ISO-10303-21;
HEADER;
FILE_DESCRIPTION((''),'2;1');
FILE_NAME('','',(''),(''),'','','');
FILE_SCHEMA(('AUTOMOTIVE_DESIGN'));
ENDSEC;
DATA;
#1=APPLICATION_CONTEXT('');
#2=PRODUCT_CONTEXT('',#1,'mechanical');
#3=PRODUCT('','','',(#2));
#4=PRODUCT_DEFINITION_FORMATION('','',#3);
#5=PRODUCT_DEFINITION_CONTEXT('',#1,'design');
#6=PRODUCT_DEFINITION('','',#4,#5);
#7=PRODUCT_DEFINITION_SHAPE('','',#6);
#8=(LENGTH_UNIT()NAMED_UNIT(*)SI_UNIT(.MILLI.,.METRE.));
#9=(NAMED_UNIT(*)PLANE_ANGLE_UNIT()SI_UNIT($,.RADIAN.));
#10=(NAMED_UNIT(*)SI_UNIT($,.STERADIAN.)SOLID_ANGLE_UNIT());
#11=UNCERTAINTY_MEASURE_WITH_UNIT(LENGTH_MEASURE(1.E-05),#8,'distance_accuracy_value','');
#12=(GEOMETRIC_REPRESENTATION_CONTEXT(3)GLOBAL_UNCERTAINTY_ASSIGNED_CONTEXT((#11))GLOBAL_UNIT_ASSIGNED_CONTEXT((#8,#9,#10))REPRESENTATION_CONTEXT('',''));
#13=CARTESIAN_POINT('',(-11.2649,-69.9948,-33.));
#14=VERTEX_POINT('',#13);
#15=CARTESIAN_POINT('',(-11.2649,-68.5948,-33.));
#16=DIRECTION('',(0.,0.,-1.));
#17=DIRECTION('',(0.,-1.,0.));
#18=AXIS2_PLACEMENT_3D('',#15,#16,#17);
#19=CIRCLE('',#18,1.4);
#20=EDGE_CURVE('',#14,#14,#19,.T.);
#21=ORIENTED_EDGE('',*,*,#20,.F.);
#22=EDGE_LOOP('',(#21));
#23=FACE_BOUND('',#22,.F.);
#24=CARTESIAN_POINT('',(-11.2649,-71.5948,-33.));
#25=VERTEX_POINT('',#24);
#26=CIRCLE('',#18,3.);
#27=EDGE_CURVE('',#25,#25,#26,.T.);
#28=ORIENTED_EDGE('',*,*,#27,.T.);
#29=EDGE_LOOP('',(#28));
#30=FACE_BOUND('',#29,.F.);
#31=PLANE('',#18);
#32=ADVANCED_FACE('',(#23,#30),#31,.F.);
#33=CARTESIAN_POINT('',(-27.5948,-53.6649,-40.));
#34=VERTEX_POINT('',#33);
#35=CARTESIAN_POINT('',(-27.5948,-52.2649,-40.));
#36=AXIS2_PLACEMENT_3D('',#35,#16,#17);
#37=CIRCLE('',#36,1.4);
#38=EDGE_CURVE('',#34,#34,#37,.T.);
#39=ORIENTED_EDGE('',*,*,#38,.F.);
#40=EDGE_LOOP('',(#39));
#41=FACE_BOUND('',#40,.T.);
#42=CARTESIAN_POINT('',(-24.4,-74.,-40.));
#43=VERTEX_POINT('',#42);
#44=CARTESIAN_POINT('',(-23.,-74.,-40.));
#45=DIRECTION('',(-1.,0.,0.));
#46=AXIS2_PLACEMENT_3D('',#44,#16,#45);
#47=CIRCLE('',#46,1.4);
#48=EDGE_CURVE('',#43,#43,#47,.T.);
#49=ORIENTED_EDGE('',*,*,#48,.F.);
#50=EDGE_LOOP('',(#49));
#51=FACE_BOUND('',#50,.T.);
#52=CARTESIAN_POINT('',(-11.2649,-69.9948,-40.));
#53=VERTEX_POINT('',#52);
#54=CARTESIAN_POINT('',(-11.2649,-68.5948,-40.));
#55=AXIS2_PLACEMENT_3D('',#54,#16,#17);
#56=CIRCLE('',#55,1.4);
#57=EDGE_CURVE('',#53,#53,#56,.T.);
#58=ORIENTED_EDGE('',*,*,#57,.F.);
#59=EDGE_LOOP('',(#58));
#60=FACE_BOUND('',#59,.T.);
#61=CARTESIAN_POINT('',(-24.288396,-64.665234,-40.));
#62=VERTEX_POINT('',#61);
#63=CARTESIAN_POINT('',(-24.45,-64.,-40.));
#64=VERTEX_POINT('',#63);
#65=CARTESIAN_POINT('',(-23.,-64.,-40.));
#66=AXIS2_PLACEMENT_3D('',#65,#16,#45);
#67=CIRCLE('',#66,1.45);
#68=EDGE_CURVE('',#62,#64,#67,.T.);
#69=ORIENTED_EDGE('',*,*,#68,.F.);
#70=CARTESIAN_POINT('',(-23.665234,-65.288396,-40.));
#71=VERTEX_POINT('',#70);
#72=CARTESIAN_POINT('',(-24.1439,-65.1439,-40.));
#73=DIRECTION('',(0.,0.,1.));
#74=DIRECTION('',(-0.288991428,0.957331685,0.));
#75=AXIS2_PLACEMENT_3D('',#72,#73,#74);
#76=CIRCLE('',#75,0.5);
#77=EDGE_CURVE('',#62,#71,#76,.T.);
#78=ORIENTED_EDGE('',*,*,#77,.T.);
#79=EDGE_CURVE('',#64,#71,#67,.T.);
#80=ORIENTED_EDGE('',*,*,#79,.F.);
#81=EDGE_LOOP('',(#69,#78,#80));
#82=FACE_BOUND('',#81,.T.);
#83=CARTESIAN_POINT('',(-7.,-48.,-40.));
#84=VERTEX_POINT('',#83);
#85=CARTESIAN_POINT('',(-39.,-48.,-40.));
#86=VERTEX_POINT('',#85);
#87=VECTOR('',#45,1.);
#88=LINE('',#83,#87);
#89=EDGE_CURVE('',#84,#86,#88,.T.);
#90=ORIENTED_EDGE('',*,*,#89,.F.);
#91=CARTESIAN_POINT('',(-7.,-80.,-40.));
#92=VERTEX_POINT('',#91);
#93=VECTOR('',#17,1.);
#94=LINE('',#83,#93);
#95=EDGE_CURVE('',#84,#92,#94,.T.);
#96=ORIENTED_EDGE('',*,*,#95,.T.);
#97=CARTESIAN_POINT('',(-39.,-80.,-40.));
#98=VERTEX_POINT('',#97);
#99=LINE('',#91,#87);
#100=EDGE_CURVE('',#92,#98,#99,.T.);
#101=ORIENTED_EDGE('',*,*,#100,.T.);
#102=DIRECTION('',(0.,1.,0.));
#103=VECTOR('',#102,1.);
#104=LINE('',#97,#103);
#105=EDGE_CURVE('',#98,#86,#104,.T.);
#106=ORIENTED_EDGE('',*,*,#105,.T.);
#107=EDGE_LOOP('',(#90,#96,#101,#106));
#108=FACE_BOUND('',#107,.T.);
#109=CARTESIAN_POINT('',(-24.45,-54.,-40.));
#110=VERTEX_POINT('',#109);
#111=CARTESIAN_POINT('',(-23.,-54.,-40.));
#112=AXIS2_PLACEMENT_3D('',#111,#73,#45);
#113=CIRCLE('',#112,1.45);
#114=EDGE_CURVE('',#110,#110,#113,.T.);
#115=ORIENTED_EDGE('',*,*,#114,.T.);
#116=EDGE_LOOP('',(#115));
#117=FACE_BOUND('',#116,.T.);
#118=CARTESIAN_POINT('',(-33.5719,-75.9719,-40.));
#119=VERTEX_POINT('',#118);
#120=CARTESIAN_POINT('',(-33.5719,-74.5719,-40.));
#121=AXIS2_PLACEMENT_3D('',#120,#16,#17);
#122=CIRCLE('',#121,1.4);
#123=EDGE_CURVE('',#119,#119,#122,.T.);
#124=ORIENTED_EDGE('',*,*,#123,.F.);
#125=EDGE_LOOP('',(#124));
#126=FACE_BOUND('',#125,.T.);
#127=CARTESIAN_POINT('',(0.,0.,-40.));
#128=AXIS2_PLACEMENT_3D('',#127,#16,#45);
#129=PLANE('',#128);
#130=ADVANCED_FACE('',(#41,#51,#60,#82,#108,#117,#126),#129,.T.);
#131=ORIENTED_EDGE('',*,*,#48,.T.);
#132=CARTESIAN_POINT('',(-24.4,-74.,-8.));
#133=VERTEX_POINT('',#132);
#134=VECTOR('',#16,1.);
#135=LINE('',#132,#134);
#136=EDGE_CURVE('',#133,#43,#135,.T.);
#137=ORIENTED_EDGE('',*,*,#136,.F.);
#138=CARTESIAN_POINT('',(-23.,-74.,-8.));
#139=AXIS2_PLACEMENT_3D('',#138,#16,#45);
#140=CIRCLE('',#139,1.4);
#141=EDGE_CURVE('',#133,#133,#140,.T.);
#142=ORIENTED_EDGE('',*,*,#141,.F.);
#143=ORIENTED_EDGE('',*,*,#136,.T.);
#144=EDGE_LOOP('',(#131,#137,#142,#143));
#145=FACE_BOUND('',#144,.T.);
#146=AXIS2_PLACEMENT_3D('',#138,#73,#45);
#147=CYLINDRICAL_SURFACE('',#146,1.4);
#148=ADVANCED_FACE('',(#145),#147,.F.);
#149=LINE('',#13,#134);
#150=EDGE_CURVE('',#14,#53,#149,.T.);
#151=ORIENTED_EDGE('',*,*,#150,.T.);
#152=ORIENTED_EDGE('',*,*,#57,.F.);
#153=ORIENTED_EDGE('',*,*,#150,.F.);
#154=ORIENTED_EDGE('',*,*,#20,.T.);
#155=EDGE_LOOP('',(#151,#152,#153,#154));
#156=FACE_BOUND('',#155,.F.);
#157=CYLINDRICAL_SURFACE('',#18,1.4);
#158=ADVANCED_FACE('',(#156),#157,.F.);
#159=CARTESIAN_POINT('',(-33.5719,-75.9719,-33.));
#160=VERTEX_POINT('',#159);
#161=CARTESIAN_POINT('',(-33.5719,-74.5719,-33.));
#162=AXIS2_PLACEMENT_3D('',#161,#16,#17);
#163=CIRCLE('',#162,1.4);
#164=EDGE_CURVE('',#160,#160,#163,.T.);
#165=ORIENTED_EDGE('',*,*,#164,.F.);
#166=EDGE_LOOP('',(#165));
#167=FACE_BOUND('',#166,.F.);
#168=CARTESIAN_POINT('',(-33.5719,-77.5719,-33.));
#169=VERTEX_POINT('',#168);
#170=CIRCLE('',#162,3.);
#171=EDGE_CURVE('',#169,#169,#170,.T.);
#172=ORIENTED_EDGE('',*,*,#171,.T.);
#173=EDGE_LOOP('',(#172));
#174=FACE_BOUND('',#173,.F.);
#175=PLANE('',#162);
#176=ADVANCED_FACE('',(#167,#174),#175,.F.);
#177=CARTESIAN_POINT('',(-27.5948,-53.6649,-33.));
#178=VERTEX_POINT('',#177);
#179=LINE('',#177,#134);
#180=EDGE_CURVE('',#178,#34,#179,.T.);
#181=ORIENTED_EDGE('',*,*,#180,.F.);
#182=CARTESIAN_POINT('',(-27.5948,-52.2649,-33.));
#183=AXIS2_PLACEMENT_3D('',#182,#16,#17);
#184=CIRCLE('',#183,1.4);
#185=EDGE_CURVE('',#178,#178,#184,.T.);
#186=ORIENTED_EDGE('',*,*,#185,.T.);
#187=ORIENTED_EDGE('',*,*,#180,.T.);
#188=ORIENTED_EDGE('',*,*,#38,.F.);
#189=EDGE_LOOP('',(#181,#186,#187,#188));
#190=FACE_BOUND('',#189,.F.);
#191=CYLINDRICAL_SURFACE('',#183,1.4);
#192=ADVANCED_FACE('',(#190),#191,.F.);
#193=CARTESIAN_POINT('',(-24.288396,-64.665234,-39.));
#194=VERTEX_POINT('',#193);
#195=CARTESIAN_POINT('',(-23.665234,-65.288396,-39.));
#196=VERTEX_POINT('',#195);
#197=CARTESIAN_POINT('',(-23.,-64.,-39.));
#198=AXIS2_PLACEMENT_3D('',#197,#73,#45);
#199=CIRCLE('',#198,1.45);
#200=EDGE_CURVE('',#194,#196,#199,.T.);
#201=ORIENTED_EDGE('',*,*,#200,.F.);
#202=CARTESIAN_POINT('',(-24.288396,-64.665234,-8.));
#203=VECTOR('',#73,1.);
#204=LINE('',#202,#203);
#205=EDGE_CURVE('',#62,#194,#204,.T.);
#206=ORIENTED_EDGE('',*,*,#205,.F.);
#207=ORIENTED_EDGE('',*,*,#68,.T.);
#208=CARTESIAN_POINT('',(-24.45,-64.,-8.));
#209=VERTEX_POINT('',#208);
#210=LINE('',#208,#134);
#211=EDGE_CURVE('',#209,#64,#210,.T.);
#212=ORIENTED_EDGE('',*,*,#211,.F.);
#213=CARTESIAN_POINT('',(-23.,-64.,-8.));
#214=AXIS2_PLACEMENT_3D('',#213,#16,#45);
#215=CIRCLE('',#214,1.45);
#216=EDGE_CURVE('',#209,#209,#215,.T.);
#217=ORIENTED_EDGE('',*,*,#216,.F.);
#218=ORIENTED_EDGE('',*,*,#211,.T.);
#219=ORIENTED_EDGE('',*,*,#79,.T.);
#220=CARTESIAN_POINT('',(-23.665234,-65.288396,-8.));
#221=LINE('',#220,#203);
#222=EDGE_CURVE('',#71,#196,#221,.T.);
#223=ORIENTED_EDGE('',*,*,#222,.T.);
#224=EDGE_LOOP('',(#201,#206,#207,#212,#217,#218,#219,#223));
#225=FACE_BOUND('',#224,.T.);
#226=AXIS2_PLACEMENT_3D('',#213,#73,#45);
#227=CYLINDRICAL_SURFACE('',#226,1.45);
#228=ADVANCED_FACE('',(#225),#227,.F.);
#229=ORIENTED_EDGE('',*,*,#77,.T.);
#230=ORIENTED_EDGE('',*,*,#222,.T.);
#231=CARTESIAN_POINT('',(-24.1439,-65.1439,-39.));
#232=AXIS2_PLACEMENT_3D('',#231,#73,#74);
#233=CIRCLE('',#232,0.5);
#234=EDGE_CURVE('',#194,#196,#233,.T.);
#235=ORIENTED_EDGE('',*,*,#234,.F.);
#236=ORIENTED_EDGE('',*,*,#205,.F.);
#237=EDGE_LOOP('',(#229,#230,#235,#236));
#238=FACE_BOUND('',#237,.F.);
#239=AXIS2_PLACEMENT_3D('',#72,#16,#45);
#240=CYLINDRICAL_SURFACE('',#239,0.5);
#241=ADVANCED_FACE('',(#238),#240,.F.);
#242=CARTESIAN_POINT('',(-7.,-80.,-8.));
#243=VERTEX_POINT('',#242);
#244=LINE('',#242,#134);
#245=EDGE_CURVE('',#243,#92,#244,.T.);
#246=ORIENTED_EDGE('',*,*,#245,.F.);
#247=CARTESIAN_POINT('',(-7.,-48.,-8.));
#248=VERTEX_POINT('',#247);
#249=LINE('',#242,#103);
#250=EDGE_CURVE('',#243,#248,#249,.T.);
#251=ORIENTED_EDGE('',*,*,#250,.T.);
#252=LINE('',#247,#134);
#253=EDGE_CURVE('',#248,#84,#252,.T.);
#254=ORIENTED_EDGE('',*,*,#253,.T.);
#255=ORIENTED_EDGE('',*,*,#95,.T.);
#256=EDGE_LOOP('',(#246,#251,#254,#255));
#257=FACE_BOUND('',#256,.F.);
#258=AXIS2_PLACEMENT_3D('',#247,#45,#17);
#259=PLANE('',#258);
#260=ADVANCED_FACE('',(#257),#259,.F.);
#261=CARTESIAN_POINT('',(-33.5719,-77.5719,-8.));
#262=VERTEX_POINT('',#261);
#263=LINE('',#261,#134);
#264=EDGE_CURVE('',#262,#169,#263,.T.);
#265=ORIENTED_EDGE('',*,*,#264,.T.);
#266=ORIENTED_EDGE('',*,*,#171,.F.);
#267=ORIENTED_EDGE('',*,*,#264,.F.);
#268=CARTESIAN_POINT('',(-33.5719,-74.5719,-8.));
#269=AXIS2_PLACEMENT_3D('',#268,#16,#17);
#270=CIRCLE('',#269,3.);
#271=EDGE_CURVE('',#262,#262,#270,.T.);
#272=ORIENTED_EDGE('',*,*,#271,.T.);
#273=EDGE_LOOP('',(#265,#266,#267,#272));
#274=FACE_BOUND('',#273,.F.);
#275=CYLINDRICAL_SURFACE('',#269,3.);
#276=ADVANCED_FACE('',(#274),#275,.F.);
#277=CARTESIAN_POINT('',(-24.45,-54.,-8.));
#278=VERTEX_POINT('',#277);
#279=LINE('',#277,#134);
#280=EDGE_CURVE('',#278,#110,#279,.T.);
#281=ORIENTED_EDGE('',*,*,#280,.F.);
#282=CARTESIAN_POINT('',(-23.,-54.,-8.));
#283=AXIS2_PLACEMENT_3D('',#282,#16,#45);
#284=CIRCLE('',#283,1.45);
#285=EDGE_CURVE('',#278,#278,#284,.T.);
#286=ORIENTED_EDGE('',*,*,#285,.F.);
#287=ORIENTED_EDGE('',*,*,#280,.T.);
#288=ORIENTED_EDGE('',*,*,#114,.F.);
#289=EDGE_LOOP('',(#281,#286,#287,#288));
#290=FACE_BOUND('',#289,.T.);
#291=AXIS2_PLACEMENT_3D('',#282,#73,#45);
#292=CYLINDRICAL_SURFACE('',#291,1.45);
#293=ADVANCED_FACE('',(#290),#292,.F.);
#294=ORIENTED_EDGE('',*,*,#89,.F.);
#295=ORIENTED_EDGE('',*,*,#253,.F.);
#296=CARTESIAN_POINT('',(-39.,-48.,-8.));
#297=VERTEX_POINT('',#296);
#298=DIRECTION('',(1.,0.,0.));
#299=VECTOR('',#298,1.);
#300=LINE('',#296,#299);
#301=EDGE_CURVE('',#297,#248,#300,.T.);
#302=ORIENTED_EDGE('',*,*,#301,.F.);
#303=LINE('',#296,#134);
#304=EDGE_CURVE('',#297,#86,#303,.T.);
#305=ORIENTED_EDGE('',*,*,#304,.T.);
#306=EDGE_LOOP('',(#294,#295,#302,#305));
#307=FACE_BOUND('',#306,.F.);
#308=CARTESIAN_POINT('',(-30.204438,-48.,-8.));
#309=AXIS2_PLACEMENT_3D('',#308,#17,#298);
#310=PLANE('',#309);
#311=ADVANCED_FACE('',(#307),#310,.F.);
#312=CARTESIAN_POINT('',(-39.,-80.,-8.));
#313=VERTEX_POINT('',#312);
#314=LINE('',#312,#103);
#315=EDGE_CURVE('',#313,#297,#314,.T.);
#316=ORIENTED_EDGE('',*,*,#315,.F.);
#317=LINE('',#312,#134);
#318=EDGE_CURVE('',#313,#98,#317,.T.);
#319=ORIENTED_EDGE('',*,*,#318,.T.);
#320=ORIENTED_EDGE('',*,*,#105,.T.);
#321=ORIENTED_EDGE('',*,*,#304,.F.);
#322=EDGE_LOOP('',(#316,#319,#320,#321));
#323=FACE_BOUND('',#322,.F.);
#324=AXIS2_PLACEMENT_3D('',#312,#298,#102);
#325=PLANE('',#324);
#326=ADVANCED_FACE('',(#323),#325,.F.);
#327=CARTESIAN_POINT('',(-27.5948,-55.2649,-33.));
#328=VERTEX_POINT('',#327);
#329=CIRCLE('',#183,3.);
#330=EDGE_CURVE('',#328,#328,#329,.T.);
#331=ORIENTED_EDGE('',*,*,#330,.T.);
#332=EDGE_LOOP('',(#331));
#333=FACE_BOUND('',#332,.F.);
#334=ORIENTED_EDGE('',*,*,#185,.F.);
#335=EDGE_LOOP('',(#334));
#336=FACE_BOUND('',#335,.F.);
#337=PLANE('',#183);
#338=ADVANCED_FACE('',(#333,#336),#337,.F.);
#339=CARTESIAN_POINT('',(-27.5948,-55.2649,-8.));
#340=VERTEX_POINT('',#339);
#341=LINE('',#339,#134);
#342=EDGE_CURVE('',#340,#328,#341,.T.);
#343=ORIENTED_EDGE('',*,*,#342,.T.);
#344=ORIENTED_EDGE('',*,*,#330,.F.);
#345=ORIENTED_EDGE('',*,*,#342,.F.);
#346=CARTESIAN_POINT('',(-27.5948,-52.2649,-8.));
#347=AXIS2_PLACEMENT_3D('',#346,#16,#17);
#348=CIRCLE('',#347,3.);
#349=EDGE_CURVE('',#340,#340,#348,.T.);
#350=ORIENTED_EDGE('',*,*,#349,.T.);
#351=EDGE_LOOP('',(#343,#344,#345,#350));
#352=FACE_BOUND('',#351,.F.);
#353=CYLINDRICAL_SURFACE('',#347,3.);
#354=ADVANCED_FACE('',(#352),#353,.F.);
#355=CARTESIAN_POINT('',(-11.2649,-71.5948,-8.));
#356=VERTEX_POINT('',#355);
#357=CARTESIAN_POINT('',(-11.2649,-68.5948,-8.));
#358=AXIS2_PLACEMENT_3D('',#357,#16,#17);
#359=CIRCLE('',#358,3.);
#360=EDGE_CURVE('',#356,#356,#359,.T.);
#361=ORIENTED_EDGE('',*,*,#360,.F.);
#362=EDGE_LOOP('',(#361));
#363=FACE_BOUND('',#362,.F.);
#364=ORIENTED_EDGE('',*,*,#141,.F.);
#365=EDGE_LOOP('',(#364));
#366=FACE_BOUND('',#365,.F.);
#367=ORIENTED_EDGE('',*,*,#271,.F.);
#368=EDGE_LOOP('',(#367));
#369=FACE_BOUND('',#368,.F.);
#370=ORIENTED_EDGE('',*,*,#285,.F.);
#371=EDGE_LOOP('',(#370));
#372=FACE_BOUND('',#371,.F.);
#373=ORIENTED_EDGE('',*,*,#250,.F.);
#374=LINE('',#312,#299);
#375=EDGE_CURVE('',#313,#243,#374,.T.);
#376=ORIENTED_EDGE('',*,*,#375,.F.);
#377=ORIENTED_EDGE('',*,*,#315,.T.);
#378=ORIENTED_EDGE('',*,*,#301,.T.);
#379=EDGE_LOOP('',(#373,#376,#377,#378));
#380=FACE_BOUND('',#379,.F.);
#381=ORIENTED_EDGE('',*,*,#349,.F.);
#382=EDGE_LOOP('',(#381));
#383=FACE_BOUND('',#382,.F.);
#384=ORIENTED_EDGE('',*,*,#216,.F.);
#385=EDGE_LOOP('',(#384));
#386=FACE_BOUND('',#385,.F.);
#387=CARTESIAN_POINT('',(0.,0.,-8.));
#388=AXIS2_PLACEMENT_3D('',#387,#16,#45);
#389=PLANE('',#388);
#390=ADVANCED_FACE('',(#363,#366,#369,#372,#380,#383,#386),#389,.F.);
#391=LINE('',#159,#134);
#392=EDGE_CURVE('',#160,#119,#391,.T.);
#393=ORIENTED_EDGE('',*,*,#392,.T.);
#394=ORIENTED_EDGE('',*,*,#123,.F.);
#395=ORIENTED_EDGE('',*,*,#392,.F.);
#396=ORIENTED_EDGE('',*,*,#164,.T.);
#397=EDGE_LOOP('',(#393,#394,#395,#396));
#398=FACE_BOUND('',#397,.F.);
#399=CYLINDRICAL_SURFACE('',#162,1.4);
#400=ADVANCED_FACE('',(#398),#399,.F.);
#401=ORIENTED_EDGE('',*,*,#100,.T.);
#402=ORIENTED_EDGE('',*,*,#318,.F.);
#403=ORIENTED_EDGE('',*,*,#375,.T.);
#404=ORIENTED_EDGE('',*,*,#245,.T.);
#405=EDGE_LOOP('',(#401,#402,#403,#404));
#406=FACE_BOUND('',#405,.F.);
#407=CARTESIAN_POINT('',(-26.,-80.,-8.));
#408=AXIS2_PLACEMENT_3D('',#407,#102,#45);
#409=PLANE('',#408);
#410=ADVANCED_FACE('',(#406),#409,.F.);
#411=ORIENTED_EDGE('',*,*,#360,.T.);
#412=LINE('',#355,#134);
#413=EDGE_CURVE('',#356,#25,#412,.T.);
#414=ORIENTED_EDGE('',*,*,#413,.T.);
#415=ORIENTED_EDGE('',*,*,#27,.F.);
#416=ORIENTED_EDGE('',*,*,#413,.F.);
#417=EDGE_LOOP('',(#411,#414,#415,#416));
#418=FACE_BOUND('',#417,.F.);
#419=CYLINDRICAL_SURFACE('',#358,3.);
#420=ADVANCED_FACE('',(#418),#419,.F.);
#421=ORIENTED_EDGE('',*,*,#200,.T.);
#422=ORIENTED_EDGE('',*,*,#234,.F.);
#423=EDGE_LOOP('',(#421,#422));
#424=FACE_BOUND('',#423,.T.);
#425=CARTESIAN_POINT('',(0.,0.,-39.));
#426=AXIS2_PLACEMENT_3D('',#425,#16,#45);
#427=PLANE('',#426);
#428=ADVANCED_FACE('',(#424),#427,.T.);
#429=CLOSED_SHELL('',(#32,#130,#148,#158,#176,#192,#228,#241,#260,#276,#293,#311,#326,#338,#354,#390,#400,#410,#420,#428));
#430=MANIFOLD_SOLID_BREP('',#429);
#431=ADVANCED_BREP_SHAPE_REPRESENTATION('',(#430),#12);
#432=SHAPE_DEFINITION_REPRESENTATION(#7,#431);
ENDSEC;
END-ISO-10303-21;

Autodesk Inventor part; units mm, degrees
ref_plane "YZ Plane" through (0, 0, 0) normal (1, 0, 0) x (0, 1, 0)
ref_plane "XZ Plane" through (0, 0, 0) normal (0, 1, 0) x (-1, 0, 0)
ref_plane "XY Plane" through (0, 0, 0) normal (0, 0, 1) x (1, 0, 0)
ref_plane "Arbeitsebene1" through (0, 0, -8) normal (0, 0, -1) x (-1, 0, 0)
sketch "Skizze1" plane through (0, 0, -8) normal (0, 0, -1) x (-1, 0, 0)
  line L0 (-30, -73.2876) -> (-18.6416, -61.9292) projected
  line L1 (-18.6416, -61.9292) -> (-17.5809, -62.9898) projected
  line L2 (-17.5809, -62.9898) -> (-30, -75.4089) projected
  line L3 (-30, -75.4089) -> (-30, -76) projected
  arc A0 (-30, -76) -> (-26, -80) centre (-26, -76) ccw projected
  line L4 (-18, -80) -> (-26, -80) projected
  arc A1 (-18, -80) -> (-14, -76) centre (-18, -76) ccw projected
  line L5 (-14, -34) -> (-14, -76) projected
  arc A2 (-10, -30) -> (-14, -34) centre (-10, -34) ccw projected
  line L6 (-10, -30) -> (12, -30) projected
  arc A3 (16, -34) -> (12, -30) centre (12, -34) ccw projected
  line L7 (16, -34) -> (16, -76) projected
  arc A4 (16, -76) -> (20, -80) centre (20, -76) ccw projected
  line L8 (20, -80) -> (26, -80) projected
  arc A5 (26, -80) -> (30, -76) centre (26, -76) ccw projected
  line L9 (30, 28) -> (30, -76) projected
  line L10 (30, 28) -> (28, 30) projected
  line L11 (28, 30) -> (-28, 30) projected
  line L12 (-28, 30) -> (-30, 28) projected
  line L13 (-30, 28) -> (-30, -73.2876) projected
  circle A6 centre (-10, -25) radius 1.45 projected
  circle A7 centre (-10, 25) radius 1.45 projected
  circle A8 centre (10, 25) radius 1.45 projected
  circle A9 centre (10, -25) radius 1.45 projected
  circle A10 centre (25, -10) radius 1.45 projected
  circle A11 centre (-25, -10) radius 1.45 projected
  circle A12 centre (-25, 10) radius 1.45 projected
  circle A13 centre (25, 10) radius 1.45 projected
  circle A14 centre (-17.5, -17.5) radius 1.95 projected
  circle A15 centre (17.5, 17.5) radius 1.95 projected
  circle A16 centre (17.5, -17.5) radius 1.95 projected
  circle A17 centre (-17.5, 17.5) radius 1.95 projected
  circle A18 centre (-25, 25) radius 2.325 projected
  circle A19 centre (25, -25) radius 2.325 projected
  circle A20 centre (-25, -25) radius 2.325 projected
  circle A21 centre (25, 25) radius 2.325 projected
  circle A22 centre (0, 0) radius 16 projected
  circle A23 centre (23, -74) radius 3.75 projected
  circle A24 centre (23, -64) radius 1.45 projected
  circle A25 centre (23, -54) radius 1.45 projected
  line L14 (7, -80) -> (39, -80)
  line L15 (39, -80) -> (39, -48)
  line L16 (39, -48) -> (7, -48)
  line L17 (7, -48) -> (7, -80)
  line L18 (7, -80) -> (39, -48) construction
  line L19 (39, -80) -> (7, -48) construction
  circle A26 centre (23, -74) radius 1.4
  line L20 (34.516, -58.7768) -> (32.4244, -50.9708) projected
  line L21 (24.0592, -48.7293) -> (7.7293, -65.0592) projected
  line L22 (9.9708, -73.4244) -> (17.7768, -75.516) projected
  circle A27 centre (24.1439, -65.1439) radius 11.6667
  arc A28 (7.7293, -65.0592) -> (9.9708, -73.4244) centre (11.2649, -68.5948) ccw projected
  line L23 (34.516, -58.7768) -> (17.7768, -75.516) projected
  arc A29 (32.4244, -50.9708) -> (24.0592, -48.7293) centre (27.5948, -52.2649) ccw projected
  point P0 (0, 0)
  point P1 (26, -80)
  point P2 (16, -48)
  point P3 (16, -56.7886)
  point P4 (19.8793, -76.0794)
  point P5 (24.6629, -77.3611)
  point P6 (24.985, -48)
  point P7 (7, -65.985)
  point P8 (7, -71.2045)
  point P9 (30.2045, -48)
  dimension "d0" = 32
  dimension "d1" = 32
  dimension "d2" = 2.8
extrude "Extrusion1" add sketch "Skizze1" along normal blind 32 contours L16 A29 L20 L23 A27 L9 | L9 A27 A25 L21 A29 L16 | L16 L15 L14 A5 L9 A27 L23 L20 A29 | A29 L21 L7 L16 | A27 L23 L9 | L9 L23 A23 A27 L7 A25 | L7 L21 A28 L17 L16 | L23 A27 L9 | L9 A27 A23 L23 | A27 L7 L22 A28 L17 L21 | L7 A27 | L9 A5 L8 A4 L7 L22 L23 A27 A23 | L23 A23 | A23 A27 L23 | A27 L23 L22 L7 | A23 A27 | A23 A27 L23 | L14 L17 A28 L22 L7 A4
sketch "Skizze2" plane through (0, 0, -8) normal (0, 0, -1) x (-1, 0, 0)
  circle A0 centre (33.5719, -74.5719) radius 1.4
  line L0 (33.5719, -74.5719) -> (11.2649, -68.5948)
  line L1 (11.2649, -68.5948) -> (27.5948, -52.2649)
  line L2 (27.5948, -52.2649) -> (33.5719, -74.5719)
  line L3 (9.7029, -90.6426) -> (49.4807, -50.8648) construction
  line L4 (-4.7029, -89.492) -> (48.3301, -36.459) construction
  line L5 (39, -80) -> (39, -48) construction
  line L6 (7, -48) -> (7, -80) construction
  line L7 (39, -80) -> (7, -48) construction
  arc A1 (32.4244, -50.9708) -> (24.0592, -48.7293) centre (27.5948, -52.2649) ccw projected
  line L8 (24.0592, -48.7293) -> (7.7293, -65.0592) projected
  arc A2 (7.7293, -65.0592) -> (9.9708, -73.4244) centre (11.2649, -68.5948) ccw projected
  line L9 (9.9708, -73.4244) -> (32.2778, -79.4016) projected
  arc A3 (32.2778, -79.4016) -> (38.4016, -73.2778) centre (33.5719, -74.5719) ccw projected
  line L10 (38.4016, -73.2778) -> (32.4244, -50.9708) projected
  point P0 (0, 0)
  point P1 (24.4298, -55.4298)
  point P2 (24.1439, -65.1439)
hole "Bohrung1" at (-27.5948, -52.2649, -8) at (-11.2649, -68.5948, -8) at (-33.5719, -74.5719, -8) direction (0, 0, -1) diameter 2.8 end through all counterbore diameter 6 counterbore depth 25
sketch "Skizze4" plane through (-32.4244, -50.9708, -40) normal (-0.9659, 0.2588, 0) x (0, 0, 1)
  line L0 (6.9, -13.047) -> (-22.6933, -13.047)
  line L1 (6.9, -10.047) -> (-22.6933, -10.047)
  circle A0 centre (4.5207, -11.5212) radius 1.4
  point P0 (40, 57.626)
  dimension "d19" = 2.8
extrude "Extrusion3" [suppressed]
sketch "Skizze5" plane through (0, 0, -40) normal (0, 0, -1) x (-1, 0, 0)
  line L0 (9.9708, -73.4244) -> (17.7768, -75.516) projected
  line L1 (24.0592, -48.7293) -> (7.7293, -65.0592) projected
  line L2 (34.516, -58.7768) -> (32.4244, -50.9708) projected
  circle A0 centre (24.1439, -65.1439) radius 11.6667
  circle A1 centre (24.1439, -65.1439) radius 0.5
  point P0 (0, 0)
  dimension "d22" = 1
extrude "Extrusion4" cut sketch "Skizze5" against normal blind 1 contours A1
pattern_circular "Runde Anordnung2" [suppressed]
properties part number "30_XY_Sample_lightsheetarm_sample_screwadapter_v3"
